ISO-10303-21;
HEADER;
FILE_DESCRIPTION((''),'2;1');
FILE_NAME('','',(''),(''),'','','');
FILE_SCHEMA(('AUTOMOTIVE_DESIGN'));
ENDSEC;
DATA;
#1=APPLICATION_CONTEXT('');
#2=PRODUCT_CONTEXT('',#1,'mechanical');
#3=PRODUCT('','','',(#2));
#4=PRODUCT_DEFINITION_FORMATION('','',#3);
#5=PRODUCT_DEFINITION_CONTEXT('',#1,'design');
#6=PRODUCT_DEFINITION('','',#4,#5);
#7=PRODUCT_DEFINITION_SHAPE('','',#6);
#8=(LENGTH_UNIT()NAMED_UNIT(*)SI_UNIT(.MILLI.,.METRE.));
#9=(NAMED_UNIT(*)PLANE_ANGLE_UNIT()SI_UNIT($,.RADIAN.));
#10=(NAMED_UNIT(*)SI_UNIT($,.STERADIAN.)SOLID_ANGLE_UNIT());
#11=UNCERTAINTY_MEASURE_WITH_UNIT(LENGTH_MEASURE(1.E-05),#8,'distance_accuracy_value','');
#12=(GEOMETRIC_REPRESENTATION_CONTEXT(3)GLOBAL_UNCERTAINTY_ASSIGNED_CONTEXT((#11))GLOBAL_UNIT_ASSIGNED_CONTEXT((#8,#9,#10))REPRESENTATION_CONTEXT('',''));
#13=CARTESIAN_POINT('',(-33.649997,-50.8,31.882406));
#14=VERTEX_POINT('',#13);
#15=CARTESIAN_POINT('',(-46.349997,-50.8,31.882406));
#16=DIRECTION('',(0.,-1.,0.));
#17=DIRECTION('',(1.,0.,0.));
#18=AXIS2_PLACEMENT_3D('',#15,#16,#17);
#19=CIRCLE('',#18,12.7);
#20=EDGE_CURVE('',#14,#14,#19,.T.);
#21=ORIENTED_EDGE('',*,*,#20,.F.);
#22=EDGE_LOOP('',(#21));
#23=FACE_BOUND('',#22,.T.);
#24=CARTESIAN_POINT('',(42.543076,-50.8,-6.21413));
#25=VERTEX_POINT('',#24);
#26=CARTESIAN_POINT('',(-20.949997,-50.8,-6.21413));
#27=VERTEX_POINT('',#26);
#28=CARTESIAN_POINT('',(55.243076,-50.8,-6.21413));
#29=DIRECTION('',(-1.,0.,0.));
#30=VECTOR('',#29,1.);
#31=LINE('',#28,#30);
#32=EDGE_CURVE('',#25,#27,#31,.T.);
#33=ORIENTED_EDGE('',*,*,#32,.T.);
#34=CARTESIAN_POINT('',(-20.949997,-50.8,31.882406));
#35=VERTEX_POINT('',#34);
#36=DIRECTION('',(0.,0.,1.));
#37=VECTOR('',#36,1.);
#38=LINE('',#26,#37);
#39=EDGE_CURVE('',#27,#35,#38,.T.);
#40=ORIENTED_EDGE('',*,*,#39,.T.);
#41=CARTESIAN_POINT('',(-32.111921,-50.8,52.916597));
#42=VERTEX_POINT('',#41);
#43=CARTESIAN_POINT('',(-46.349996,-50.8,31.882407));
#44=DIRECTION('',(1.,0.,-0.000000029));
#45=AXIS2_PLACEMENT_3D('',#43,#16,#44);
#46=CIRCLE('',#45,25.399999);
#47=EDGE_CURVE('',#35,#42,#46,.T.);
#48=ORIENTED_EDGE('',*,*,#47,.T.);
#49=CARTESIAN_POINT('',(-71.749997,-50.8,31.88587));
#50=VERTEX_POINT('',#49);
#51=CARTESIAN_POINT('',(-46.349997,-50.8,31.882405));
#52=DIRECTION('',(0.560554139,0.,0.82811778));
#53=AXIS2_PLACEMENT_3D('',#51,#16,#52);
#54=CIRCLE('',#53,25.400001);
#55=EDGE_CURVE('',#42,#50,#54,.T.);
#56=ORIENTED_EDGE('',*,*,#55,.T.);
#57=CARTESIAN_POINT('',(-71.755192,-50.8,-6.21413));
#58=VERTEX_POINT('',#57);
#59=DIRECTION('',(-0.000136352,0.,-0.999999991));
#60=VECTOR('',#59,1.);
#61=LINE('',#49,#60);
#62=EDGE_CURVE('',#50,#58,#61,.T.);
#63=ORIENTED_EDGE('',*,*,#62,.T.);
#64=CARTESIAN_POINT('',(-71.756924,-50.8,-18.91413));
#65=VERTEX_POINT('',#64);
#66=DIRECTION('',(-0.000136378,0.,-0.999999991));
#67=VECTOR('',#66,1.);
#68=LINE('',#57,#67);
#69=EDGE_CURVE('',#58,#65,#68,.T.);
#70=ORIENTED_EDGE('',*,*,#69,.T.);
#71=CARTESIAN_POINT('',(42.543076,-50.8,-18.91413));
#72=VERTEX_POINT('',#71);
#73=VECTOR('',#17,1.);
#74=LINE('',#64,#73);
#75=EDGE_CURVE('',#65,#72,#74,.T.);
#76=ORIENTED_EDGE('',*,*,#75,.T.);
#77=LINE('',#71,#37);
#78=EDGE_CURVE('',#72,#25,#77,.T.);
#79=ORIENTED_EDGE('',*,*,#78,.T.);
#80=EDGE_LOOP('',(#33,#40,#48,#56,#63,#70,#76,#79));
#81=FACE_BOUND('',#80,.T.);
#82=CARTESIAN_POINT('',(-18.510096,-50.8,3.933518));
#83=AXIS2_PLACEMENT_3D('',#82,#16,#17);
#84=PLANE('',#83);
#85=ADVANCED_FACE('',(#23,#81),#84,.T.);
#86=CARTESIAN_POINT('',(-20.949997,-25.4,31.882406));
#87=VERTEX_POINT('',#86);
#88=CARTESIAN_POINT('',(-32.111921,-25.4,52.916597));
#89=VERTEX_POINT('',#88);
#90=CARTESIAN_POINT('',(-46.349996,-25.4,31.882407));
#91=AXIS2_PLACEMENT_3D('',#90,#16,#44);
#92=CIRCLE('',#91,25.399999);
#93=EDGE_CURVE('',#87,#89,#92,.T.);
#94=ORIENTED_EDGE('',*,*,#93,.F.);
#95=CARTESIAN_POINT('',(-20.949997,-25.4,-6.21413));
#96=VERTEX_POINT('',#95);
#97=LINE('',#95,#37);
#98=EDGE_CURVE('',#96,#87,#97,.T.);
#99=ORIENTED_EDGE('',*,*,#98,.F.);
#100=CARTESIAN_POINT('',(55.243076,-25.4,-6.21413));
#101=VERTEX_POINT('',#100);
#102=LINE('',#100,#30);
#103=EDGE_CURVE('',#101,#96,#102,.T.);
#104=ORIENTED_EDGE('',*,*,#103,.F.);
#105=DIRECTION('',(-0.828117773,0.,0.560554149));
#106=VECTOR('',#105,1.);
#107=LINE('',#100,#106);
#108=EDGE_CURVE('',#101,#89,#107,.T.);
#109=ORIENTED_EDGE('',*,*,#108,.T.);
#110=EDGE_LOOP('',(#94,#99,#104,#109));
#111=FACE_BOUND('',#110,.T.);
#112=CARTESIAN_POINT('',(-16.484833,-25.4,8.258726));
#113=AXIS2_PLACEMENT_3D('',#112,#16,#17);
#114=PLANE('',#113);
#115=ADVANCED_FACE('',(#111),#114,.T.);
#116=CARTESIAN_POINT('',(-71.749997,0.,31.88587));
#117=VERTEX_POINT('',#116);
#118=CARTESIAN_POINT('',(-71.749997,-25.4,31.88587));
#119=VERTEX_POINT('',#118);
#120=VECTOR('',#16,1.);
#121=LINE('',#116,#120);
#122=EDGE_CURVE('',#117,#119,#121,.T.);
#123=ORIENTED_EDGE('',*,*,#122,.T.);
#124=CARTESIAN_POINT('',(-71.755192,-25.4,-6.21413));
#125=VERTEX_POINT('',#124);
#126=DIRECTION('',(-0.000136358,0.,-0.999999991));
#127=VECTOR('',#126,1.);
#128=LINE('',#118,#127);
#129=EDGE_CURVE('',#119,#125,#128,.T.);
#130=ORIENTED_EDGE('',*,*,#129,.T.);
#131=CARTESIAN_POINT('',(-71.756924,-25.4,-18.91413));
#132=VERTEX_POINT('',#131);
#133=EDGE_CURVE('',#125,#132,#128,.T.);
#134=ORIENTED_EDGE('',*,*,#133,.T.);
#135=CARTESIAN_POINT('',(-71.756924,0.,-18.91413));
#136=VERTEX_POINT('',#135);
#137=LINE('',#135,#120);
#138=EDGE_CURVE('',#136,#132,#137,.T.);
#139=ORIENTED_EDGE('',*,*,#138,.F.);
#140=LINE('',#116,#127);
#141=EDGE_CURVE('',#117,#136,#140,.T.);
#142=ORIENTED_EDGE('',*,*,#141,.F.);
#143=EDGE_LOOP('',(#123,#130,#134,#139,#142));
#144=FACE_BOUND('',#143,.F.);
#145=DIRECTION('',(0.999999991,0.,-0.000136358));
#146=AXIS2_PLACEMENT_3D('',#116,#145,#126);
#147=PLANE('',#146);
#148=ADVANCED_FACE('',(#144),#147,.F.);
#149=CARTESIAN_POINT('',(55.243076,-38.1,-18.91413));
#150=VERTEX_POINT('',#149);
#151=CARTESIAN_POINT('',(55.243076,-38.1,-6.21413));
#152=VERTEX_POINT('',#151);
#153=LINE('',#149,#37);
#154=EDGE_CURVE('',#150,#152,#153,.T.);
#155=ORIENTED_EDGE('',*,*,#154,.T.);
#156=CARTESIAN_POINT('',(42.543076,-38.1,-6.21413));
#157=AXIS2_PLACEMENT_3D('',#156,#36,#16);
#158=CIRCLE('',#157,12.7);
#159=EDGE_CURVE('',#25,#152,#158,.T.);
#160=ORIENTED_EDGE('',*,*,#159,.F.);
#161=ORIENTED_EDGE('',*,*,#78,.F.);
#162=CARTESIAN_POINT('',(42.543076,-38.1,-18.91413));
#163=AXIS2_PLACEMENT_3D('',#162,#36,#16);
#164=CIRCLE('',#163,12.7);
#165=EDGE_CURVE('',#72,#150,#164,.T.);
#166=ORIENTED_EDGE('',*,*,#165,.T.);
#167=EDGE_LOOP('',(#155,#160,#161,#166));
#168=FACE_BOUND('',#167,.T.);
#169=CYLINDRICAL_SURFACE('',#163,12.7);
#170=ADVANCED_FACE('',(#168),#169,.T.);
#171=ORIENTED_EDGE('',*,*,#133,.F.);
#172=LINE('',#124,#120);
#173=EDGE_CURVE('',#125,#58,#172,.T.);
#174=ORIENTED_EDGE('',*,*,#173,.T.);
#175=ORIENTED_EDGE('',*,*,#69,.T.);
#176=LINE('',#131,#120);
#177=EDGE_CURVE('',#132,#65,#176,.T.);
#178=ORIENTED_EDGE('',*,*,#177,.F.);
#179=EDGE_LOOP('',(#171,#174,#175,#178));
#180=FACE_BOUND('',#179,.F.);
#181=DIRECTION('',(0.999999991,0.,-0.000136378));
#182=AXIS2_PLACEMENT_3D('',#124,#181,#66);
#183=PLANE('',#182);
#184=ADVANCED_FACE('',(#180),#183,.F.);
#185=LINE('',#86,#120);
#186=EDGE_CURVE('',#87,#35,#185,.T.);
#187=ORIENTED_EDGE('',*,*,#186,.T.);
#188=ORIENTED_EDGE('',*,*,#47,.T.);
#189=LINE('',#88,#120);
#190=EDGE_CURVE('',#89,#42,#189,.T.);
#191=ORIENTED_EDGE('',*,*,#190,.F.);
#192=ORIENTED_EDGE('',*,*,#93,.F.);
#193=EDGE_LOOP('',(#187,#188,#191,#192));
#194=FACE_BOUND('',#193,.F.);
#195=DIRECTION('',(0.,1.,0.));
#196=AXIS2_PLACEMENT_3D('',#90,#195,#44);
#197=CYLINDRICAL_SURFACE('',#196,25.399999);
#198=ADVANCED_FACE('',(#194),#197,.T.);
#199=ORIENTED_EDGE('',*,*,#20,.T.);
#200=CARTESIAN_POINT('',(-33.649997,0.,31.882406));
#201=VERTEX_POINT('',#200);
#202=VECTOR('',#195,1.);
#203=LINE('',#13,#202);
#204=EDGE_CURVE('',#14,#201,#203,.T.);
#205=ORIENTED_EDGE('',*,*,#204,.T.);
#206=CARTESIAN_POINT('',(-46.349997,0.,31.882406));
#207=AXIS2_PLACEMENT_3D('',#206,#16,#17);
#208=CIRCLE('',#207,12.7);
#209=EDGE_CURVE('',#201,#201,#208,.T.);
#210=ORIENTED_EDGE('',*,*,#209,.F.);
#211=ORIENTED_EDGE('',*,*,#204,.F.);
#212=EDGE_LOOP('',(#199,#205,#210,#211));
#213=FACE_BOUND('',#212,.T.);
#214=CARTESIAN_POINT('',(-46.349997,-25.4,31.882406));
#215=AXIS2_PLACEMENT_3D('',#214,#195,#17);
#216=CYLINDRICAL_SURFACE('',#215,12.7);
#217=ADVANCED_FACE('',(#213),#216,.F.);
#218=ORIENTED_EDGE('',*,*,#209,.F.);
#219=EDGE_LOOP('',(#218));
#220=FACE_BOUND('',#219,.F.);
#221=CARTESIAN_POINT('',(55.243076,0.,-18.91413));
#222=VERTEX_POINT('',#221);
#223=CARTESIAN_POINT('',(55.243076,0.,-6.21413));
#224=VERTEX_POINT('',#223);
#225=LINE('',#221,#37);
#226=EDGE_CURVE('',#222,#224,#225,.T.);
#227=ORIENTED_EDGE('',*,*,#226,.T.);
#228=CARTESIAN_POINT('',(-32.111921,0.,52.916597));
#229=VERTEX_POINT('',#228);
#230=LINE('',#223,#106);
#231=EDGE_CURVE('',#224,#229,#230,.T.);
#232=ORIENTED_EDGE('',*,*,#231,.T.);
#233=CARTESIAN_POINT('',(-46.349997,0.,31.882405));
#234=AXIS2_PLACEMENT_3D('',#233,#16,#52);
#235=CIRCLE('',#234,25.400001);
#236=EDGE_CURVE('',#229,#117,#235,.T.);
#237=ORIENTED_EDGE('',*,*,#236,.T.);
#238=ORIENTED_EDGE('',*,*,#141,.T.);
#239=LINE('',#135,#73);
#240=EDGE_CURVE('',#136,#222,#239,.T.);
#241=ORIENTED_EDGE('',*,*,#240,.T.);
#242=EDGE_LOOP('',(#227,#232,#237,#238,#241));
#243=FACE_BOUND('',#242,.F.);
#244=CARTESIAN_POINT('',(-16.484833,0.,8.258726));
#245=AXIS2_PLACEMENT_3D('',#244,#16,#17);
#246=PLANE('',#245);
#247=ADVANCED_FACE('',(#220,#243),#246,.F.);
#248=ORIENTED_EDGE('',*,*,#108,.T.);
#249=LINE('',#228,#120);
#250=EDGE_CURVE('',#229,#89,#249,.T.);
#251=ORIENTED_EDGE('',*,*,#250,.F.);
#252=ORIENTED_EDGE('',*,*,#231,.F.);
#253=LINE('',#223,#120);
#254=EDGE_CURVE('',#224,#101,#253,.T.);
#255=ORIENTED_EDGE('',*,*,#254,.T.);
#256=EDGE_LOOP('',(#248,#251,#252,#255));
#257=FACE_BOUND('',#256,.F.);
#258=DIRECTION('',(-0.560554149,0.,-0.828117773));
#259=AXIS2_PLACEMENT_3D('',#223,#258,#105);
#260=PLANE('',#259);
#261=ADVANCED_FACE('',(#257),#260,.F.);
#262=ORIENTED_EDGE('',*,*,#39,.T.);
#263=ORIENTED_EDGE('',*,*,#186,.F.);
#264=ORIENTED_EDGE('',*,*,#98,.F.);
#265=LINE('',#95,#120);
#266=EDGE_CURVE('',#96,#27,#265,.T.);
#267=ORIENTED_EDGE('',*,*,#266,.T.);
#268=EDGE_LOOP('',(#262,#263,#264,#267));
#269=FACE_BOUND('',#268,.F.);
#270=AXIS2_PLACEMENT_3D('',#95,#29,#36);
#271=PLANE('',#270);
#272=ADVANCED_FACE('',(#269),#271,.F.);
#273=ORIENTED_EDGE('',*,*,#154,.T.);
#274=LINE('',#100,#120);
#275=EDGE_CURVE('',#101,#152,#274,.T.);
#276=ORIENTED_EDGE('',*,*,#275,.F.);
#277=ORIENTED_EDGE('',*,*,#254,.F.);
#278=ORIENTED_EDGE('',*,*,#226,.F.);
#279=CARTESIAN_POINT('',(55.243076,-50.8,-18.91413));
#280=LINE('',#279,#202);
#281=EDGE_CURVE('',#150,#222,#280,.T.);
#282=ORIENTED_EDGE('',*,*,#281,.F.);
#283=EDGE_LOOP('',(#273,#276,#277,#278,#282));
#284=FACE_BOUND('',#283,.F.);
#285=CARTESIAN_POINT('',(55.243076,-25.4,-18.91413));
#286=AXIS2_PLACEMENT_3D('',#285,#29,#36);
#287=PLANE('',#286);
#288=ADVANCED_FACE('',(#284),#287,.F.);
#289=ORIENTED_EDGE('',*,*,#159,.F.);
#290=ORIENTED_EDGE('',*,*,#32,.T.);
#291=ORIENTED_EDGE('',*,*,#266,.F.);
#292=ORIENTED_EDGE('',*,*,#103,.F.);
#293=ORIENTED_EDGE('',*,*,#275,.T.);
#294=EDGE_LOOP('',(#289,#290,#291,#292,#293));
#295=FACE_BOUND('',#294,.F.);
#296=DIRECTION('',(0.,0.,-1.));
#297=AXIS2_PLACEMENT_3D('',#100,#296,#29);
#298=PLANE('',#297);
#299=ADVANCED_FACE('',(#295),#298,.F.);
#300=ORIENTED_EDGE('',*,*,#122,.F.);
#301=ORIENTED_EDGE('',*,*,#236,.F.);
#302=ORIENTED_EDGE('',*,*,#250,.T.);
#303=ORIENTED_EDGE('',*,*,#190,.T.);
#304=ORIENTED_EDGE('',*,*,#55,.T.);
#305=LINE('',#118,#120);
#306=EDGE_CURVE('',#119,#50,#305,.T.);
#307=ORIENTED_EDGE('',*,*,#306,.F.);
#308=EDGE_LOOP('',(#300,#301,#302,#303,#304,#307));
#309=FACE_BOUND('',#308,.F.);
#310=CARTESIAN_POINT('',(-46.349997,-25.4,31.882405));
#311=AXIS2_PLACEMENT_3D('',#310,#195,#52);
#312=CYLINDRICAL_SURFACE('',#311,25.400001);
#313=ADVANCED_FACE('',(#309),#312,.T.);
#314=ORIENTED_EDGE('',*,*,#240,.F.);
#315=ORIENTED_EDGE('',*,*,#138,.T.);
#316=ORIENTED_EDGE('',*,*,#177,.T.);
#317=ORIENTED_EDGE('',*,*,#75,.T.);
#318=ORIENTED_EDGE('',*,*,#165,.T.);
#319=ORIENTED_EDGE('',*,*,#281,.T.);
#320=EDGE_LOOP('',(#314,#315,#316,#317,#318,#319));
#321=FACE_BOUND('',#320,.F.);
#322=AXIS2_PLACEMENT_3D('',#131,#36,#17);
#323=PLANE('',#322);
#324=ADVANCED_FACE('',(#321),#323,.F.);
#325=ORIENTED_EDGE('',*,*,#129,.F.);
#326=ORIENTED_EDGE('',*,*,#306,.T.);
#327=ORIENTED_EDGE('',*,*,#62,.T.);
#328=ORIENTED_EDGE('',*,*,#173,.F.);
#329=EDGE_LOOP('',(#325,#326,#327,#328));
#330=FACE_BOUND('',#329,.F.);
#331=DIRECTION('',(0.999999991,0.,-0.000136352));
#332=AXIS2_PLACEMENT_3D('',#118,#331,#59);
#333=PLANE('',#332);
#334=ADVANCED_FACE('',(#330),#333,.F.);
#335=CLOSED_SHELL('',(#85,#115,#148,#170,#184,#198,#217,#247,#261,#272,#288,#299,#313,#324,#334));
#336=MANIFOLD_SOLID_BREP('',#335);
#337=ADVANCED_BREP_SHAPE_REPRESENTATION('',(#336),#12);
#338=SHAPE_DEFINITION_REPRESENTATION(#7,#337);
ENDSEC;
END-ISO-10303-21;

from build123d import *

# Parameters (mm, degrees)
F0_R     = 12.7
F1_DEPTH = 25.4
F2_R     = 12.7
F3_DEPTH = 25.4
F4_R     = 12.7


with BuildPart() as f1:
    # F0 (on Front) → F1 (new body)
    with BuildSketch(Plane.XZ):
        with BuildLine():
            Line((55.243076, -6.21413), (-32.111921, 52.916597))
            ThreePointArc((-32.111921, 52.916597), (-58.254618, 54.319874), (-71.749997, 31.88587))
            Line((-71.749997, 31.88587), (-71.756924, -18.91413))
            Line((-71.756924, -18.91413), (55.243076, -18.91413))
            Line((55.243076, -18.91413), (55.243076, -6.21413))
        make_face()
        with Locations((-46.349997, 31.882406)):
            Circle(F0_R, mode=Mode.SUBTRACT)
    extrude(amount=F1_DEPTH)

    # F2 (on face) → F3 (join)
    with BuildSketch(Plane.XZ.offset(25.4)):
        with BuildLine():
            Line((-20.949997, -6.21413), (-20.949997, 31.882406))
            ThreePointArc((-20.949997, 31.882406), (-23.91334, 43.788557), (-32.111921, 52.916597))
            ThreePointArc((-32.111921, 52.916597), (-58.254618, 54.319874), (-71.749997, 31.88587))
            Line((-71.749997, 31.88587), (-71.755192, -6.21413))
            Line((-71.755192, -6.21413), (-71.756058, -12.56413))
            Line((-71.756058, -12.56413), (-71.756924, -18.91413))
            Line((-71.756924, -18.91413), (55.243076, -18.91413))
            Line((55.243076, -18.91413), (55.243076, -6.21413))
            Line((55.243076, -6.21413), (-20.949997, -6.21413))
        make_face()
        with Locations((-46.349997, 31.882406)):
            Circle(F2_R, mode=Mode.SUBTRACT)
    extrude(amount=F3_DEPTH)

    # F4
    f4_edges = [f1.edges().sort_by_distance(p)[0] for p in [
        (55.243076, -50.8, -12.56413),
    ]]
    fillet(f4_edges, radius=F4_R)


solid = f1.part
